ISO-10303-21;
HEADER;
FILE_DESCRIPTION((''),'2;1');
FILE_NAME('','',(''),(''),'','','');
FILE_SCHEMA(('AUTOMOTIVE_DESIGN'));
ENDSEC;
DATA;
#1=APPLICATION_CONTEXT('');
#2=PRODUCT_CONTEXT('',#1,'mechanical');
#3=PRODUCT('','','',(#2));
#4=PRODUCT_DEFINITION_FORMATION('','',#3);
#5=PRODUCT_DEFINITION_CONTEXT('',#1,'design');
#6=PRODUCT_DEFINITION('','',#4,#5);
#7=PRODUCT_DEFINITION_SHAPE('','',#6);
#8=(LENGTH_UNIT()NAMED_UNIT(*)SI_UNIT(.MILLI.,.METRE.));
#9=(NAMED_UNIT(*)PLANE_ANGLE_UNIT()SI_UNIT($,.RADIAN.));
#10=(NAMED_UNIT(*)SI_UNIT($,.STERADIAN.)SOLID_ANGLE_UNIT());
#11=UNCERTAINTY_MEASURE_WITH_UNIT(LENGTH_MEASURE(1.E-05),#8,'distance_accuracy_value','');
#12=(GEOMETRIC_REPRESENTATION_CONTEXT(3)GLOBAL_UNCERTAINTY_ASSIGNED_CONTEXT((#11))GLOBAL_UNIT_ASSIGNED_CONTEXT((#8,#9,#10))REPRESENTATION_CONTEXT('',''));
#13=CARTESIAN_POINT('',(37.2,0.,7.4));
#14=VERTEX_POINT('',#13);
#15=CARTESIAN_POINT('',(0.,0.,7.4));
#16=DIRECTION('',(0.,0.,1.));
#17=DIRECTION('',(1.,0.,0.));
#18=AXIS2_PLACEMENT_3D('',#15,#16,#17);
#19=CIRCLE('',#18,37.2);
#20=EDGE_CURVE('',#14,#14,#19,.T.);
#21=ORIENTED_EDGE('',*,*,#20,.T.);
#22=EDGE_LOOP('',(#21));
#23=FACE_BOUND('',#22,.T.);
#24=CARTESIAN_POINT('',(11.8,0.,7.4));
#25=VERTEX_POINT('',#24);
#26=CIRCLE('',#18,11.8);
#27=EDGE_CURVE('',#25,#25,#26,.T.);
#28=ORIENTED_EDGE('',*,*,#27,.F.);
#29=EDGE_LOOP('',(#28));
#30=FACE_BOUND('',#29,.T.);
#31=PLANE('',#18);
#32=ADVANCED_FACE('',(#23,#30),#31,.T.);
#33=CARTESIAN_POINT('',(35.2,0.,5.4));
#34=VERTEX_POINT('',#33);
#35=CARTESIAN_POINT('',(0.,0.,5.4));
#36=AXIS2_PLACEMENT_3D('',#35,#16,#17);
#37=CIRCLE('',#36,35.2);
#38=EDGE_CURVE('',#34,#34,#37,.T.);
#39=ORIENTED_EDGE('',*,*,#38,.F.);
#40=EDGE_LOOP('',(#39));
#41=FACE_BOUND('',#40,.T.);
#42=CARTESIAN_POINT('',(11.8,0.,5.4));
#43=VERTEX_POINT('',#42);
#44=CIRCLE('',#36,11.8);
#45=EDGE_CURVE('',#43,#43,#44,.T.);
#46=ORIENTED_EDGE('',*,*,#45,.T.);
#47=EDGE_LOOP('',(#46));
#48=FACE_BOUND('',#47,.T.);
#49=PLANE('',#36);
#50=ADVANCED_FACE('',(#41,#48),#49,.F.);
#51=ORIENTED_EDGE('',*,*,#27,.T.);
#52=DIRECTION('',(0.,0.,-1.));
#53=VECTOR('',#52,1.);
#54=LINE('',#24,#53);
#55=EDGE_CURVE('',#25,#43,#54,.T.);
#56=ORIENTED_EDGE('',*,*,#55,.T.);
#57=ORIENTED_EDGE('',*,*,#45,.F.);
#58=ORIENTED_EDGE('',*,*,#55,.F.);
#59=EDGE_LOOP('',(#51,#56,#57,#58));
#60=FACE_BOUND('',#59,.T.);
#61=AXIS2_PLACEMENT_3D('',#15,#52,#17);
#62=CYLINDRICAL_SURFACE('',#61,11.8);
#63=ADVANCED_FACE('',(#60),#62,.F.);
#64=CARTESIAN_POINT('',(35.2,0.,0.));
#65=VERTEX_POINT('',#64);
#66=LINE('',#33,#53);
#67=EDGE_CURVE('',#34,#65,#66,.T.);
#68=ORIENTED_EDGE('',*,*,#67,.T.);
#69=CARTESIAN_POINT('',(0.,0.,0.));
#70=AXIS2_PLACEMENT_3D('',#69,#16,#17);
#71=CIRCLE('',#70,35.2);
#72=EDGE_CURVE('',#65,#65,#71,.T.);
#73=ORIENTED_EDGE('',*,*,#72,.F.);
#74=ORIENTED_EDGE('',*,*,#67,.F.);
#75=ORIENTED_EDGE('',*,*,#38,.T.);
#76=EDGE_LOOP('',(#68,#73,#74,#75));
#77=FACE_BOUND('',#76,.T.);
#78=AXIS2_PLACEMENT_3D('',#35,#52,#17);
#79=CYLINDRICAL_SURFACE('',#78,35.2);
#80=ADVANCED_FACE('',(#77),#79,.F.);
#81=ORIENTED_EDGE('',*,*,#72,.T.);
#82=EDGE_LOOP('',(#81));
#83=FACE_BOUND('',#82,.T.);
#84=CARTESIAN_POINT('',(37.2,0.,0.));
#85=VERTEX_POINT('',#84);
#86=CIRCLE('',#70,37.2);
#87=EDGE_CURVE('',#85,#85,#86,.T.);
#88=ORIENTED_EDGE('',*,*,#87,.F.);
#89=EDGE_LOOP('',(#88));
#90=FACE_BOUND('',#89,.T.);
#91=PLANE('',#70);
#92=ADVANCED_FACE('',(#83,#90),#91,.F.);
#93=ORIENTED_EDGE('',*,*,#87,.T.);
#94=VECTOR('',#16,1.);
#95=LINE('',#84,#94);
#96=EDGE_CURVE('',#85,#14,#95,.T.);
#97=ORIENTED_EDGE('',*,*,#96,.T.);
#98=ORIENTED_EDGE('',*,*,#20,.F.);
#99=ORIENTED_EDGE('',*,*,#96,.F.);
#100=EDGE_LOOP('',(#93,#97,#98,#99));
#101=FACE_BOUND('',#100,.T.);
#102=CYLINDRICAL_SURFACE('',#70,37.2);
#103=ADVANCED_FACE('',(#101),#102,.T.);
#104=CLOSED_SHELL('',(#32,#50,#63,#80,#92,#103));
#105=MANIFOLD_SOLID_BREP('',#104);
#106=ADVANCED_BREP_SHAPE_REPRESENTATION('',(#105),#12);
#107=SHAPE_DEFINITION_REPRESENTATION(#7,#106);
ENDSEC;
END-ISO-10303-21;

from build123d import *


with BuildPart() as part:
    # Sketch → Revolution (revolve)
    with BuildSketch(Plane.XZ):
        Polygon((11.8, 7.4), (11.8, 5.4), (35.2, 5.4), (35.2, 0), (37.2, 0), (37.2, 7.4), align=None)
    revolve(axis=Axis((0, 0, 0), (0, 0, 1)))


solid = part.part
